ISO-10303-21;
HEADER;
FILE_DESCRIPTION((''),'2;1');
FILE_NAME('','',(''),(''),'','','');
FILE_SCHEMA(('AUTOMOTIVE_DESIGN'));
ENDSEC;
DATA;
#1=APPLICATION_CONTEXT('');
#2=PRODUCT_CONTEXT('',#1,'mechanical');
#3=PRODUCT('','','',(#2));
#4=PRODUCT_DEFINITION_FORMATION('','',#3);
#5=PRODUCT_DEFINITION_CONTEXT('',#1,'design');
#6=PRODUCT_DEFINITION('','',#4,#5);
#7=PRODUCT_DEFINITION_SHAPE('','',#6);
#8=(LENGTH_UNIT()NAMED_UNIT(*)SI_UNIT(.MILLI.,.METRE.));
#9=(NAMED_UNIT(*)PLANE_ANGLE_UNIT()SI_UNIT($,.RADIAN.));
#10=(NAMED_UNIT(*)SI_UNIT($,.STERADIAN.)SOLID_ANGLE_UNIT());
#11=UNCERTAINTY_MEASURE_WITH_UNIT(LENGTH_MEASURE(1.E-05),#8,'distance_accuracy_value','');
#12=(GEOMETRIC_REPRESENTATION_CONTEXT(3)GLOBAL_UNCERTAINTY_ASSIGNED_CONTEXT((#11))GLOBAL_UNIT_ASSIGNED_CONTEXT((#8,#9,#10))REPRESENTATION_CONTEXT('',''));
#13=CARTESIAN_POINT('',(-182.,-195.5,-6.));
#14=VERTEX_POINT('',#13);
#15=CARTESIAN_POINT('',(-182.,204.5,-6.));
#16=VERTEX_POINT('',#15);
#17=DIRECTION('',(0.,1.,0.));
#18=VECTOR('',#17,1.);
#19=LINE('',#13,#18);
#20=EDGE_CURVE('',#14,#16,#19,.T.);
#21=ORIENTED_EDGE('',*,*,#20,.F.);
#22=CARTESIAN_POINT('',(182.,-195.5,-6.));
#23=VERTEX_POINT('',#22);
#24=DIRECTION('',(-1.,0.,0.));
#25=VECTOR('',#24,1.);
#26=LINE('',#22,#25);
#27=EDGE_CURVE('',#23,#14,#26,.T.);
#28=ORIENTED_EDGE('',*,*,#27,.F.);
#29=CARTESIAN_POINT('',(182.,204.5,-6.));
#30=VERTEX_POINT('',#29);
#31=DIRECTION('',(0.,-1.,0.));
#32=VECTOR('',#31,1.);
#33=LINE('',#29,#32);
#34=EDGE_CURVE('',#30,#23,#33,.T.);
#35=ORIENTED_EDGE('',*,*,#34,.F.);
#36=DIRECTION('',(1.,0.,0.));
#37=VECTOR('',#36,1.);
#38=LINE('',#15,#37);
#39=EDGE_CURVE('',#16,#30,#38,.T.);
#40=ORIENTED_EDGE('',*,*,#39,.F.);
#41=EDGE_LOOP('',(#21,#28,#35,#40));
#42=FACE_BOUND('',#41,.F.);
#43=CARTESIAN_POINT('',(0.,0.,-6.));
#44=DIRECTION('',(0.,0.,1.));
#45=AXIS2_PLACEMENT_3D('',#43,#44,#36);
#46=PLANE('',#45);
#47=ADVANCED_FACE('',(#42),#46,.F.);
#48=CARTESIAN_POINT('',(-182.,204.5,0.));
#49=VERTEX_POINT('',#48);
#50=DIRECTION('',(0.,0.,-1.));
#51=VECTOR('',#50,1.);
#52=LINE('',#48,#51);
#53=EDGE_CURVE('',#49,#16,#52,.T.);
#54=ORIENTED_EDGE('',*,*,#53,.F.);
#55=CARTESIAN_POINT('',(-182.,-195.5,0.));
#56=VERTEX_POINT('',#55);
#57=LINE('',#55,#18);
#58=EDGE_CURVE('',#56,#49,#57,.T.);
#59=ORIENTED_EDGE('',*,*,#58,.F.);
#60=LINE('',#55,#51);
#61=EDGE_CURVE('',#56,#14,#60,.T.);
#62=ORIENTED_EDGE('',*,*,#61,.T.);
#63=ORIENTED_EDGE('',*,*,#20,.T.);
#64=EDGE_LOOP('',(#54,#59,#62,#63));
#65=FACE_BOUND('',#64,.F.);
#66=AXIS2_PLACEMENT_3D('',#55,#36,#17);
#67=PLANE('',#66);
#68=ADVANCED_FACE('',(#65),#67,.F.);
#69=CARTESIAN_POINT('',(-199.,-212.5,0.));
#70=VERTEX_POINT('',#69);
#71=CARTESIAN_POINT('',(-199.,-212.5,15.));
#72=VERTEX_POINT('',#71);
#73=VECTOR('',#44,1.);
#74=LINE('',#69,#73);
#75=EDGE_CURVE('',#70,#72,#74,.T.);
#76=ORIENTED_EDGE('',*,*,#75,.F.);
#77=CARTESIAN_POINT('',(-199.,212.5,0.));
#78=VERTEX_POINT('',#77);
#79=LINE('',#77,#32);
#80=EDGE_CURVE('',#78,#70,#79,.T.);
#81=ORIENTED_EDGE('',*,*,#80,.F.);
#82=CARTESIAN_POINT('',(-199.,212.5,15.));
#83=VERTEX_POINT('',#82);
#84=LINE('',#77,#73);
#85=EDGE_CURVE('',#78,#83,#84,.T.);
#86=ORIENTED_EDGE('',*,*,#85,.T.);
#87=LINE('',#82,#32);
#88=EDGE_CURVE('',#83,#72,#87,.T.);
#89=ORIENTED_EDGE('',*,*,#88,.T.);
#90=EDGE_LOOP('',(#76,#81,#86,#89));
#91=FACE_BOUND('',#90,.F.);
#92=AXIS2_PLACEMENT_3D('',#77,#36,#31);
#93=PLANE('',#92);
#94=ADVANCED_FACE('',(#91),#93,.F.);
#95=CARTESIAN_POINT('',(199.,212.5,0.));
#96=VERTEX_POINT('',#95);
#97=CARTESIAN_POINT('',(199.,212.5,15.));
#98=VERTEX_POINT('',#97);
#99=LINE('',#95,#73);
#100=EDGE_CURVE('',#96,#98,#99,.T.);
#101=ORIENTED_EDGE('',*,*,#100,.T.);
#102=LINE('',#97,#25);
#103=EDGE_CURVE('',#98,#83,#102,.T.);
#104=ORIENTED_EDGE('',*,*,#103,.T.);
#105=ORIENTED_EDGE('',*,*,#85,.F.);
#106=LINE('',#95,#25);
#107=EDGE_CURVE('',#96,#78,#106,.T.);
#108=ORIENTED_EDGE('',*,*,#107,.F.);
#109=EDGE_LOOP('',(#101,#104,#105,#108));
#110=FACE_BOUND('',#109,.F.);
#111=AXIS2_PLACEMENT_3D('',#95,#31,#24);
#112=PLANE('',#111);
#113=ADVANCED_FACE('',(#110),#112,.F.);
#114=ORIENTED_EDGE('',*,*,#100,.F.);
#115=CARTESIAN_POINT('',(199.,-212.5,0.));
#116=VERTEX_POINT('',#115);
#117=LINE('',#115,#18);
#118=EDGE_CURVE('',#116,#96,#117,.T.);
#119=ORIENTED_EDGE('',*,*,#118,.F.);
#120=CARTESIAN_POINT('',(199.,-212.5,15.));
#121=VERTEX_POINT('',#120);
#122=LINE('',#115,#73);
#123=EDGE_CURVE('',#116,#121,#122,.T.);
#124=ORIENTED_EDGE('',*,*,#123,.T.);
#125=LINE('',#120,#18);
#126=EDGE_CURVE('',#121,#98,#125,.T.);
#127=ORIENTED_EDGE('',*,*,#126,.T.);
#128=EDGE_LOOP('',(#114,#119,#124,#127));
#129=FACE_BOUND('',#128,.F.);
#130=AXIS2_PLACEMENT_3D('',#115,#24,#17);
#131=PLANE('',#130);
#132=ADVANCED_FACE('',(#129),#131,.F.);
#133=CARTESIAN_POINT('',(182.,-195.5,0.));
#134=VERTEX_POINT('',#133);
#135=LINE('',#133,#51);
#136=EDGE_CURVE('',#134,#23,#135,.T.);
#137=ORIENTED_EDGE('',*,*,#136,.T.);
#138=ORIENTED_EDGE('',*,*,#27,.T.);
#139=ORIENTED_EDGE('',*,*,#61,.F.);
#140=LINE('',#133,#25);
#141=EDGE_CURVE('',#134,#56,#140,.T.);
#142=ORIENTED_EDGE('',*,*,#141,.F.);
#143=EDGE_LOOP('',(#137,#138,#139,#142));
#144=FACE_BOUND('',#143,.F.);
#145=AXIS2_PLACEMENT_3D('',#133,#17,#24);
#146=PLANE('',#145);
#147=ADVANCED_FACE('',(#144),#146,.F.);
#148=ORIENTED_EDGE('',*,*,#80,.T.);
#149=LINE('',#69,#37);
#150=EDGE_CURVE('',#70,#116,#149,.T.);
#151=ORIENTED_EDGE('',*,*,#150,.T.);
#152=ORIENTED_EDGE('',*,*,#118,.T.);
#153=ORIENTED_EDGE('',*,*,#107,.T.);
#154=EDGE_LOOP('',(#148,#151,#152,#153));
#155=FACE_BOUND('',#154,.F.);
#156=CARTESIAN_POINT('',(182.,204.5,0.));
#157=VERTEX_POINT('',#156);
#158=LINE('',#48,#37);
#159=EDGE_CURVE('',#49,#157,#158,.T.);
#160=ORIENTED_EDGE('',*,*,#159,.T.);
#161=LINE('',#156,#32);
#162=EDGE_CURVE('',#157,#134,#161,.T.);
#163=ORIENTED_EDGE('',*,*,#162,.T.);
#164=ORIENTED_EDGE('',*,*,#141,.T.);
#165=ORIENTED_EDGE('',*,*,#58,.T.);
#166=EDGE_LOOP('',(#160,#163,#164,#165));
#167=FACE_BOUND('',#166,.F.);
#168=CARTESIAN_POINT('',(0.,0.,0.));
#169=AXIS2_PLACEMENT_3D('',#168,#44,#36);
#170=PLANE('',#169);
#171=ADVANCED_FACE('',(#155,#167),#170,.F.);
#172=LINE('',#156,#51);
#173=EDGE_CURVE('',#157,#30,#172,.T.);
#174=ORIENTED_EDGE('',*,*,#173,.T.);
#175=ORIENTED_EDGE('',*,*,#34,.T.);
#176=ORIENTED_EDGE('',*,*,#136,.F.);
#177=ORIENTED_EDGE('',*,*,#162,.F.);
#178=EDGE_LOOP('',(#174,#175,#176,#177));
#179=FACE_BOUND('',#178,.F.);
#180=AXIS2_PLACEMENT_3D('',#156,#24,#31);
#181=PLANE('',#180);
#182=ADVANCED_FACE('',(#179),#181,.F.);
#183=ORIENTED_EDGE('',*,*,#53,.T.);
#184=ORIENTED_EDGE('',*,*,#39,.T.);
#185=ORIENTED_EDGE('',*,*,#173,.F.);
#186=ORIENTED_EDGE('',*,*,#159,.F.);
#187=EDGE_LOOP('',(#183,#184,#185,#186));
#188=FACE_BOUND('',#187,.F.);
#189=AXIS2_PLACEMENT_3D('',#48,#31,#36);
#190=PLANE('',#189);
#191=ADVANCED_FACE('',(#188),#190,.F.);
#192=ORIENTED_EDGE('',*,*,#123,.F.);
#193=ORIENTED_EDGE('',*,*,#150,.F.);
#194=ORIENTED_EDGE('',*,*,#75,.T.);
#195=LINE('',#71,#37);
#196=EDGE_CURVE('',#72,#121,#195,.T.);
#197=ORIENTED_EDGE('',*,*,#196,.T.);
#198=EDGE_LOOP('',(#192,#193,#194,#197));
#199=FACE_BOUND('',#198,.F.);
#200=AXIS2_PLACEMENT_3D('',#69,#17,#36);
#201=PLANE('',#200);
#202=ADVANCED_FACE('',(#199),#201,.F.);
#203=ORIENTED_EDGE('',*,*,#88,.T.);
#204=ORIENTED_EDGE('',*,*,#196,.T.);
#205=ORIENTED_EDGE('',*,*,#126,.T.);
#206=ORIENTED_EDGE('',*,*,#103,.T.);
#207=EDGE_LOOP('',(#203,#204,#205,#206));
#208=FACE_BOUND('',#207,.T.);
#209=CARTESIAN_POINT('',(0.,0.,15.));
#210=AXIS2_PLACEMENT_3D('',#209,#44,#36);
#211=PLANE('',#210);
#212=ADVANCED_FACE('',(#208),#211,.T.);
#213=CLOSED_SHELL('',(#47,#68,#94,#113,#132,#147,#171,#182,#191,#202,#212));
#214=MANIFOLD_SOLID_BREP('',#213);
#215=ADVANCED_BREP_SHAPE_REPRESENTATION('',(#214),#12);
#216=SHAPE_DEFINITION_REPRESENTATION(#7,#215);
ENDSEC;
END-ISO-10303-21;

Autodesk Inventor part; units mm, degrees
ref_plane "YZ Plane" through (0, 0, 0) normal (1, 0, 0) x (0, 1, 0)
ref_plane "XZ Plane" through (0, 0, 0) normal (0, 1, 0) x (-1, 0, 0)
ref_plane "XY Plane" through (0, 0, 0) normal (0, 0, 1) x (1, 0, 0)
sketch "Skizze1" plane through (0, 0, 0) normal (0, 0, 1) x (1, 0, 0)
  line L0 (-199, -212.5) -> (199, -212.5)
  line L1 (199, -212.5) -> (199, 212.5)
  line L2 (199, 212.5) -> (-199, 212.5)
  line L3 (-199, 212.5) -> (-199, -212.5)
  line L4 (-199, -212.5) -> (199, 212.5) construction
  line L5 (199, -212.5) -> (-199, 212.5) construction
  line L6 (182, -195.5) -> (-182, -195.5)
  line L7 (-182, -195.5) -> (-182, 204.5)
  line L8 (-182, 204.5) -> (182, 204.5)
  line L9 (182, 204.5) -> (182, -195.5)
  line L10 (182, -195.5) -> (-182, 204.5) construction
  line L11 (-182, -195.5) -> (182, 204.5) construction
  point P0 (0, 0)
  dimension "d0" = 398
  dimension "d1" = 425
  dimension "d5" = 17
  dimension "d8" = 17
  dimension "d9" = 17
  dimension "d10" = 8
extrude "Extrusion1" add sketch "Skizze1" along normal blind 15 contours L3 L2 L1 L0 | L6 L7 L8 L9
extrude "Extrusion2" add sketch "Skizze1" against normal blind 6 contours L6 L7 L8 L9
equation "\"d0\" = case_width - 2 * gap_air"
equation "\"d2\" = inner_thickness"
equation "\"d6\" = mdf_thickness"
equation "\"kg_thickness\" = 4.9"
equation "\"ht_thickness\" = 1.9"
equation "\"case_thickness\" = 18"
equation "\"inner_thickness\" = 15"
equation "\"gap_fit\" = 0.1"
equation "\"gap_slide\" = 0.2"
equation "\"gap_air\" = 1"
equation "\"bore_diameter\" = 73"
equation "\"mdf_thickness\" = 6"
equation "\"tape_width\" = 15"
equation "\"tape_thickness\" = 3"
equation "\"inner_depth\" = 255"
equation "\"case_width\" = 400"
properties part number "Front_Staubfach"
